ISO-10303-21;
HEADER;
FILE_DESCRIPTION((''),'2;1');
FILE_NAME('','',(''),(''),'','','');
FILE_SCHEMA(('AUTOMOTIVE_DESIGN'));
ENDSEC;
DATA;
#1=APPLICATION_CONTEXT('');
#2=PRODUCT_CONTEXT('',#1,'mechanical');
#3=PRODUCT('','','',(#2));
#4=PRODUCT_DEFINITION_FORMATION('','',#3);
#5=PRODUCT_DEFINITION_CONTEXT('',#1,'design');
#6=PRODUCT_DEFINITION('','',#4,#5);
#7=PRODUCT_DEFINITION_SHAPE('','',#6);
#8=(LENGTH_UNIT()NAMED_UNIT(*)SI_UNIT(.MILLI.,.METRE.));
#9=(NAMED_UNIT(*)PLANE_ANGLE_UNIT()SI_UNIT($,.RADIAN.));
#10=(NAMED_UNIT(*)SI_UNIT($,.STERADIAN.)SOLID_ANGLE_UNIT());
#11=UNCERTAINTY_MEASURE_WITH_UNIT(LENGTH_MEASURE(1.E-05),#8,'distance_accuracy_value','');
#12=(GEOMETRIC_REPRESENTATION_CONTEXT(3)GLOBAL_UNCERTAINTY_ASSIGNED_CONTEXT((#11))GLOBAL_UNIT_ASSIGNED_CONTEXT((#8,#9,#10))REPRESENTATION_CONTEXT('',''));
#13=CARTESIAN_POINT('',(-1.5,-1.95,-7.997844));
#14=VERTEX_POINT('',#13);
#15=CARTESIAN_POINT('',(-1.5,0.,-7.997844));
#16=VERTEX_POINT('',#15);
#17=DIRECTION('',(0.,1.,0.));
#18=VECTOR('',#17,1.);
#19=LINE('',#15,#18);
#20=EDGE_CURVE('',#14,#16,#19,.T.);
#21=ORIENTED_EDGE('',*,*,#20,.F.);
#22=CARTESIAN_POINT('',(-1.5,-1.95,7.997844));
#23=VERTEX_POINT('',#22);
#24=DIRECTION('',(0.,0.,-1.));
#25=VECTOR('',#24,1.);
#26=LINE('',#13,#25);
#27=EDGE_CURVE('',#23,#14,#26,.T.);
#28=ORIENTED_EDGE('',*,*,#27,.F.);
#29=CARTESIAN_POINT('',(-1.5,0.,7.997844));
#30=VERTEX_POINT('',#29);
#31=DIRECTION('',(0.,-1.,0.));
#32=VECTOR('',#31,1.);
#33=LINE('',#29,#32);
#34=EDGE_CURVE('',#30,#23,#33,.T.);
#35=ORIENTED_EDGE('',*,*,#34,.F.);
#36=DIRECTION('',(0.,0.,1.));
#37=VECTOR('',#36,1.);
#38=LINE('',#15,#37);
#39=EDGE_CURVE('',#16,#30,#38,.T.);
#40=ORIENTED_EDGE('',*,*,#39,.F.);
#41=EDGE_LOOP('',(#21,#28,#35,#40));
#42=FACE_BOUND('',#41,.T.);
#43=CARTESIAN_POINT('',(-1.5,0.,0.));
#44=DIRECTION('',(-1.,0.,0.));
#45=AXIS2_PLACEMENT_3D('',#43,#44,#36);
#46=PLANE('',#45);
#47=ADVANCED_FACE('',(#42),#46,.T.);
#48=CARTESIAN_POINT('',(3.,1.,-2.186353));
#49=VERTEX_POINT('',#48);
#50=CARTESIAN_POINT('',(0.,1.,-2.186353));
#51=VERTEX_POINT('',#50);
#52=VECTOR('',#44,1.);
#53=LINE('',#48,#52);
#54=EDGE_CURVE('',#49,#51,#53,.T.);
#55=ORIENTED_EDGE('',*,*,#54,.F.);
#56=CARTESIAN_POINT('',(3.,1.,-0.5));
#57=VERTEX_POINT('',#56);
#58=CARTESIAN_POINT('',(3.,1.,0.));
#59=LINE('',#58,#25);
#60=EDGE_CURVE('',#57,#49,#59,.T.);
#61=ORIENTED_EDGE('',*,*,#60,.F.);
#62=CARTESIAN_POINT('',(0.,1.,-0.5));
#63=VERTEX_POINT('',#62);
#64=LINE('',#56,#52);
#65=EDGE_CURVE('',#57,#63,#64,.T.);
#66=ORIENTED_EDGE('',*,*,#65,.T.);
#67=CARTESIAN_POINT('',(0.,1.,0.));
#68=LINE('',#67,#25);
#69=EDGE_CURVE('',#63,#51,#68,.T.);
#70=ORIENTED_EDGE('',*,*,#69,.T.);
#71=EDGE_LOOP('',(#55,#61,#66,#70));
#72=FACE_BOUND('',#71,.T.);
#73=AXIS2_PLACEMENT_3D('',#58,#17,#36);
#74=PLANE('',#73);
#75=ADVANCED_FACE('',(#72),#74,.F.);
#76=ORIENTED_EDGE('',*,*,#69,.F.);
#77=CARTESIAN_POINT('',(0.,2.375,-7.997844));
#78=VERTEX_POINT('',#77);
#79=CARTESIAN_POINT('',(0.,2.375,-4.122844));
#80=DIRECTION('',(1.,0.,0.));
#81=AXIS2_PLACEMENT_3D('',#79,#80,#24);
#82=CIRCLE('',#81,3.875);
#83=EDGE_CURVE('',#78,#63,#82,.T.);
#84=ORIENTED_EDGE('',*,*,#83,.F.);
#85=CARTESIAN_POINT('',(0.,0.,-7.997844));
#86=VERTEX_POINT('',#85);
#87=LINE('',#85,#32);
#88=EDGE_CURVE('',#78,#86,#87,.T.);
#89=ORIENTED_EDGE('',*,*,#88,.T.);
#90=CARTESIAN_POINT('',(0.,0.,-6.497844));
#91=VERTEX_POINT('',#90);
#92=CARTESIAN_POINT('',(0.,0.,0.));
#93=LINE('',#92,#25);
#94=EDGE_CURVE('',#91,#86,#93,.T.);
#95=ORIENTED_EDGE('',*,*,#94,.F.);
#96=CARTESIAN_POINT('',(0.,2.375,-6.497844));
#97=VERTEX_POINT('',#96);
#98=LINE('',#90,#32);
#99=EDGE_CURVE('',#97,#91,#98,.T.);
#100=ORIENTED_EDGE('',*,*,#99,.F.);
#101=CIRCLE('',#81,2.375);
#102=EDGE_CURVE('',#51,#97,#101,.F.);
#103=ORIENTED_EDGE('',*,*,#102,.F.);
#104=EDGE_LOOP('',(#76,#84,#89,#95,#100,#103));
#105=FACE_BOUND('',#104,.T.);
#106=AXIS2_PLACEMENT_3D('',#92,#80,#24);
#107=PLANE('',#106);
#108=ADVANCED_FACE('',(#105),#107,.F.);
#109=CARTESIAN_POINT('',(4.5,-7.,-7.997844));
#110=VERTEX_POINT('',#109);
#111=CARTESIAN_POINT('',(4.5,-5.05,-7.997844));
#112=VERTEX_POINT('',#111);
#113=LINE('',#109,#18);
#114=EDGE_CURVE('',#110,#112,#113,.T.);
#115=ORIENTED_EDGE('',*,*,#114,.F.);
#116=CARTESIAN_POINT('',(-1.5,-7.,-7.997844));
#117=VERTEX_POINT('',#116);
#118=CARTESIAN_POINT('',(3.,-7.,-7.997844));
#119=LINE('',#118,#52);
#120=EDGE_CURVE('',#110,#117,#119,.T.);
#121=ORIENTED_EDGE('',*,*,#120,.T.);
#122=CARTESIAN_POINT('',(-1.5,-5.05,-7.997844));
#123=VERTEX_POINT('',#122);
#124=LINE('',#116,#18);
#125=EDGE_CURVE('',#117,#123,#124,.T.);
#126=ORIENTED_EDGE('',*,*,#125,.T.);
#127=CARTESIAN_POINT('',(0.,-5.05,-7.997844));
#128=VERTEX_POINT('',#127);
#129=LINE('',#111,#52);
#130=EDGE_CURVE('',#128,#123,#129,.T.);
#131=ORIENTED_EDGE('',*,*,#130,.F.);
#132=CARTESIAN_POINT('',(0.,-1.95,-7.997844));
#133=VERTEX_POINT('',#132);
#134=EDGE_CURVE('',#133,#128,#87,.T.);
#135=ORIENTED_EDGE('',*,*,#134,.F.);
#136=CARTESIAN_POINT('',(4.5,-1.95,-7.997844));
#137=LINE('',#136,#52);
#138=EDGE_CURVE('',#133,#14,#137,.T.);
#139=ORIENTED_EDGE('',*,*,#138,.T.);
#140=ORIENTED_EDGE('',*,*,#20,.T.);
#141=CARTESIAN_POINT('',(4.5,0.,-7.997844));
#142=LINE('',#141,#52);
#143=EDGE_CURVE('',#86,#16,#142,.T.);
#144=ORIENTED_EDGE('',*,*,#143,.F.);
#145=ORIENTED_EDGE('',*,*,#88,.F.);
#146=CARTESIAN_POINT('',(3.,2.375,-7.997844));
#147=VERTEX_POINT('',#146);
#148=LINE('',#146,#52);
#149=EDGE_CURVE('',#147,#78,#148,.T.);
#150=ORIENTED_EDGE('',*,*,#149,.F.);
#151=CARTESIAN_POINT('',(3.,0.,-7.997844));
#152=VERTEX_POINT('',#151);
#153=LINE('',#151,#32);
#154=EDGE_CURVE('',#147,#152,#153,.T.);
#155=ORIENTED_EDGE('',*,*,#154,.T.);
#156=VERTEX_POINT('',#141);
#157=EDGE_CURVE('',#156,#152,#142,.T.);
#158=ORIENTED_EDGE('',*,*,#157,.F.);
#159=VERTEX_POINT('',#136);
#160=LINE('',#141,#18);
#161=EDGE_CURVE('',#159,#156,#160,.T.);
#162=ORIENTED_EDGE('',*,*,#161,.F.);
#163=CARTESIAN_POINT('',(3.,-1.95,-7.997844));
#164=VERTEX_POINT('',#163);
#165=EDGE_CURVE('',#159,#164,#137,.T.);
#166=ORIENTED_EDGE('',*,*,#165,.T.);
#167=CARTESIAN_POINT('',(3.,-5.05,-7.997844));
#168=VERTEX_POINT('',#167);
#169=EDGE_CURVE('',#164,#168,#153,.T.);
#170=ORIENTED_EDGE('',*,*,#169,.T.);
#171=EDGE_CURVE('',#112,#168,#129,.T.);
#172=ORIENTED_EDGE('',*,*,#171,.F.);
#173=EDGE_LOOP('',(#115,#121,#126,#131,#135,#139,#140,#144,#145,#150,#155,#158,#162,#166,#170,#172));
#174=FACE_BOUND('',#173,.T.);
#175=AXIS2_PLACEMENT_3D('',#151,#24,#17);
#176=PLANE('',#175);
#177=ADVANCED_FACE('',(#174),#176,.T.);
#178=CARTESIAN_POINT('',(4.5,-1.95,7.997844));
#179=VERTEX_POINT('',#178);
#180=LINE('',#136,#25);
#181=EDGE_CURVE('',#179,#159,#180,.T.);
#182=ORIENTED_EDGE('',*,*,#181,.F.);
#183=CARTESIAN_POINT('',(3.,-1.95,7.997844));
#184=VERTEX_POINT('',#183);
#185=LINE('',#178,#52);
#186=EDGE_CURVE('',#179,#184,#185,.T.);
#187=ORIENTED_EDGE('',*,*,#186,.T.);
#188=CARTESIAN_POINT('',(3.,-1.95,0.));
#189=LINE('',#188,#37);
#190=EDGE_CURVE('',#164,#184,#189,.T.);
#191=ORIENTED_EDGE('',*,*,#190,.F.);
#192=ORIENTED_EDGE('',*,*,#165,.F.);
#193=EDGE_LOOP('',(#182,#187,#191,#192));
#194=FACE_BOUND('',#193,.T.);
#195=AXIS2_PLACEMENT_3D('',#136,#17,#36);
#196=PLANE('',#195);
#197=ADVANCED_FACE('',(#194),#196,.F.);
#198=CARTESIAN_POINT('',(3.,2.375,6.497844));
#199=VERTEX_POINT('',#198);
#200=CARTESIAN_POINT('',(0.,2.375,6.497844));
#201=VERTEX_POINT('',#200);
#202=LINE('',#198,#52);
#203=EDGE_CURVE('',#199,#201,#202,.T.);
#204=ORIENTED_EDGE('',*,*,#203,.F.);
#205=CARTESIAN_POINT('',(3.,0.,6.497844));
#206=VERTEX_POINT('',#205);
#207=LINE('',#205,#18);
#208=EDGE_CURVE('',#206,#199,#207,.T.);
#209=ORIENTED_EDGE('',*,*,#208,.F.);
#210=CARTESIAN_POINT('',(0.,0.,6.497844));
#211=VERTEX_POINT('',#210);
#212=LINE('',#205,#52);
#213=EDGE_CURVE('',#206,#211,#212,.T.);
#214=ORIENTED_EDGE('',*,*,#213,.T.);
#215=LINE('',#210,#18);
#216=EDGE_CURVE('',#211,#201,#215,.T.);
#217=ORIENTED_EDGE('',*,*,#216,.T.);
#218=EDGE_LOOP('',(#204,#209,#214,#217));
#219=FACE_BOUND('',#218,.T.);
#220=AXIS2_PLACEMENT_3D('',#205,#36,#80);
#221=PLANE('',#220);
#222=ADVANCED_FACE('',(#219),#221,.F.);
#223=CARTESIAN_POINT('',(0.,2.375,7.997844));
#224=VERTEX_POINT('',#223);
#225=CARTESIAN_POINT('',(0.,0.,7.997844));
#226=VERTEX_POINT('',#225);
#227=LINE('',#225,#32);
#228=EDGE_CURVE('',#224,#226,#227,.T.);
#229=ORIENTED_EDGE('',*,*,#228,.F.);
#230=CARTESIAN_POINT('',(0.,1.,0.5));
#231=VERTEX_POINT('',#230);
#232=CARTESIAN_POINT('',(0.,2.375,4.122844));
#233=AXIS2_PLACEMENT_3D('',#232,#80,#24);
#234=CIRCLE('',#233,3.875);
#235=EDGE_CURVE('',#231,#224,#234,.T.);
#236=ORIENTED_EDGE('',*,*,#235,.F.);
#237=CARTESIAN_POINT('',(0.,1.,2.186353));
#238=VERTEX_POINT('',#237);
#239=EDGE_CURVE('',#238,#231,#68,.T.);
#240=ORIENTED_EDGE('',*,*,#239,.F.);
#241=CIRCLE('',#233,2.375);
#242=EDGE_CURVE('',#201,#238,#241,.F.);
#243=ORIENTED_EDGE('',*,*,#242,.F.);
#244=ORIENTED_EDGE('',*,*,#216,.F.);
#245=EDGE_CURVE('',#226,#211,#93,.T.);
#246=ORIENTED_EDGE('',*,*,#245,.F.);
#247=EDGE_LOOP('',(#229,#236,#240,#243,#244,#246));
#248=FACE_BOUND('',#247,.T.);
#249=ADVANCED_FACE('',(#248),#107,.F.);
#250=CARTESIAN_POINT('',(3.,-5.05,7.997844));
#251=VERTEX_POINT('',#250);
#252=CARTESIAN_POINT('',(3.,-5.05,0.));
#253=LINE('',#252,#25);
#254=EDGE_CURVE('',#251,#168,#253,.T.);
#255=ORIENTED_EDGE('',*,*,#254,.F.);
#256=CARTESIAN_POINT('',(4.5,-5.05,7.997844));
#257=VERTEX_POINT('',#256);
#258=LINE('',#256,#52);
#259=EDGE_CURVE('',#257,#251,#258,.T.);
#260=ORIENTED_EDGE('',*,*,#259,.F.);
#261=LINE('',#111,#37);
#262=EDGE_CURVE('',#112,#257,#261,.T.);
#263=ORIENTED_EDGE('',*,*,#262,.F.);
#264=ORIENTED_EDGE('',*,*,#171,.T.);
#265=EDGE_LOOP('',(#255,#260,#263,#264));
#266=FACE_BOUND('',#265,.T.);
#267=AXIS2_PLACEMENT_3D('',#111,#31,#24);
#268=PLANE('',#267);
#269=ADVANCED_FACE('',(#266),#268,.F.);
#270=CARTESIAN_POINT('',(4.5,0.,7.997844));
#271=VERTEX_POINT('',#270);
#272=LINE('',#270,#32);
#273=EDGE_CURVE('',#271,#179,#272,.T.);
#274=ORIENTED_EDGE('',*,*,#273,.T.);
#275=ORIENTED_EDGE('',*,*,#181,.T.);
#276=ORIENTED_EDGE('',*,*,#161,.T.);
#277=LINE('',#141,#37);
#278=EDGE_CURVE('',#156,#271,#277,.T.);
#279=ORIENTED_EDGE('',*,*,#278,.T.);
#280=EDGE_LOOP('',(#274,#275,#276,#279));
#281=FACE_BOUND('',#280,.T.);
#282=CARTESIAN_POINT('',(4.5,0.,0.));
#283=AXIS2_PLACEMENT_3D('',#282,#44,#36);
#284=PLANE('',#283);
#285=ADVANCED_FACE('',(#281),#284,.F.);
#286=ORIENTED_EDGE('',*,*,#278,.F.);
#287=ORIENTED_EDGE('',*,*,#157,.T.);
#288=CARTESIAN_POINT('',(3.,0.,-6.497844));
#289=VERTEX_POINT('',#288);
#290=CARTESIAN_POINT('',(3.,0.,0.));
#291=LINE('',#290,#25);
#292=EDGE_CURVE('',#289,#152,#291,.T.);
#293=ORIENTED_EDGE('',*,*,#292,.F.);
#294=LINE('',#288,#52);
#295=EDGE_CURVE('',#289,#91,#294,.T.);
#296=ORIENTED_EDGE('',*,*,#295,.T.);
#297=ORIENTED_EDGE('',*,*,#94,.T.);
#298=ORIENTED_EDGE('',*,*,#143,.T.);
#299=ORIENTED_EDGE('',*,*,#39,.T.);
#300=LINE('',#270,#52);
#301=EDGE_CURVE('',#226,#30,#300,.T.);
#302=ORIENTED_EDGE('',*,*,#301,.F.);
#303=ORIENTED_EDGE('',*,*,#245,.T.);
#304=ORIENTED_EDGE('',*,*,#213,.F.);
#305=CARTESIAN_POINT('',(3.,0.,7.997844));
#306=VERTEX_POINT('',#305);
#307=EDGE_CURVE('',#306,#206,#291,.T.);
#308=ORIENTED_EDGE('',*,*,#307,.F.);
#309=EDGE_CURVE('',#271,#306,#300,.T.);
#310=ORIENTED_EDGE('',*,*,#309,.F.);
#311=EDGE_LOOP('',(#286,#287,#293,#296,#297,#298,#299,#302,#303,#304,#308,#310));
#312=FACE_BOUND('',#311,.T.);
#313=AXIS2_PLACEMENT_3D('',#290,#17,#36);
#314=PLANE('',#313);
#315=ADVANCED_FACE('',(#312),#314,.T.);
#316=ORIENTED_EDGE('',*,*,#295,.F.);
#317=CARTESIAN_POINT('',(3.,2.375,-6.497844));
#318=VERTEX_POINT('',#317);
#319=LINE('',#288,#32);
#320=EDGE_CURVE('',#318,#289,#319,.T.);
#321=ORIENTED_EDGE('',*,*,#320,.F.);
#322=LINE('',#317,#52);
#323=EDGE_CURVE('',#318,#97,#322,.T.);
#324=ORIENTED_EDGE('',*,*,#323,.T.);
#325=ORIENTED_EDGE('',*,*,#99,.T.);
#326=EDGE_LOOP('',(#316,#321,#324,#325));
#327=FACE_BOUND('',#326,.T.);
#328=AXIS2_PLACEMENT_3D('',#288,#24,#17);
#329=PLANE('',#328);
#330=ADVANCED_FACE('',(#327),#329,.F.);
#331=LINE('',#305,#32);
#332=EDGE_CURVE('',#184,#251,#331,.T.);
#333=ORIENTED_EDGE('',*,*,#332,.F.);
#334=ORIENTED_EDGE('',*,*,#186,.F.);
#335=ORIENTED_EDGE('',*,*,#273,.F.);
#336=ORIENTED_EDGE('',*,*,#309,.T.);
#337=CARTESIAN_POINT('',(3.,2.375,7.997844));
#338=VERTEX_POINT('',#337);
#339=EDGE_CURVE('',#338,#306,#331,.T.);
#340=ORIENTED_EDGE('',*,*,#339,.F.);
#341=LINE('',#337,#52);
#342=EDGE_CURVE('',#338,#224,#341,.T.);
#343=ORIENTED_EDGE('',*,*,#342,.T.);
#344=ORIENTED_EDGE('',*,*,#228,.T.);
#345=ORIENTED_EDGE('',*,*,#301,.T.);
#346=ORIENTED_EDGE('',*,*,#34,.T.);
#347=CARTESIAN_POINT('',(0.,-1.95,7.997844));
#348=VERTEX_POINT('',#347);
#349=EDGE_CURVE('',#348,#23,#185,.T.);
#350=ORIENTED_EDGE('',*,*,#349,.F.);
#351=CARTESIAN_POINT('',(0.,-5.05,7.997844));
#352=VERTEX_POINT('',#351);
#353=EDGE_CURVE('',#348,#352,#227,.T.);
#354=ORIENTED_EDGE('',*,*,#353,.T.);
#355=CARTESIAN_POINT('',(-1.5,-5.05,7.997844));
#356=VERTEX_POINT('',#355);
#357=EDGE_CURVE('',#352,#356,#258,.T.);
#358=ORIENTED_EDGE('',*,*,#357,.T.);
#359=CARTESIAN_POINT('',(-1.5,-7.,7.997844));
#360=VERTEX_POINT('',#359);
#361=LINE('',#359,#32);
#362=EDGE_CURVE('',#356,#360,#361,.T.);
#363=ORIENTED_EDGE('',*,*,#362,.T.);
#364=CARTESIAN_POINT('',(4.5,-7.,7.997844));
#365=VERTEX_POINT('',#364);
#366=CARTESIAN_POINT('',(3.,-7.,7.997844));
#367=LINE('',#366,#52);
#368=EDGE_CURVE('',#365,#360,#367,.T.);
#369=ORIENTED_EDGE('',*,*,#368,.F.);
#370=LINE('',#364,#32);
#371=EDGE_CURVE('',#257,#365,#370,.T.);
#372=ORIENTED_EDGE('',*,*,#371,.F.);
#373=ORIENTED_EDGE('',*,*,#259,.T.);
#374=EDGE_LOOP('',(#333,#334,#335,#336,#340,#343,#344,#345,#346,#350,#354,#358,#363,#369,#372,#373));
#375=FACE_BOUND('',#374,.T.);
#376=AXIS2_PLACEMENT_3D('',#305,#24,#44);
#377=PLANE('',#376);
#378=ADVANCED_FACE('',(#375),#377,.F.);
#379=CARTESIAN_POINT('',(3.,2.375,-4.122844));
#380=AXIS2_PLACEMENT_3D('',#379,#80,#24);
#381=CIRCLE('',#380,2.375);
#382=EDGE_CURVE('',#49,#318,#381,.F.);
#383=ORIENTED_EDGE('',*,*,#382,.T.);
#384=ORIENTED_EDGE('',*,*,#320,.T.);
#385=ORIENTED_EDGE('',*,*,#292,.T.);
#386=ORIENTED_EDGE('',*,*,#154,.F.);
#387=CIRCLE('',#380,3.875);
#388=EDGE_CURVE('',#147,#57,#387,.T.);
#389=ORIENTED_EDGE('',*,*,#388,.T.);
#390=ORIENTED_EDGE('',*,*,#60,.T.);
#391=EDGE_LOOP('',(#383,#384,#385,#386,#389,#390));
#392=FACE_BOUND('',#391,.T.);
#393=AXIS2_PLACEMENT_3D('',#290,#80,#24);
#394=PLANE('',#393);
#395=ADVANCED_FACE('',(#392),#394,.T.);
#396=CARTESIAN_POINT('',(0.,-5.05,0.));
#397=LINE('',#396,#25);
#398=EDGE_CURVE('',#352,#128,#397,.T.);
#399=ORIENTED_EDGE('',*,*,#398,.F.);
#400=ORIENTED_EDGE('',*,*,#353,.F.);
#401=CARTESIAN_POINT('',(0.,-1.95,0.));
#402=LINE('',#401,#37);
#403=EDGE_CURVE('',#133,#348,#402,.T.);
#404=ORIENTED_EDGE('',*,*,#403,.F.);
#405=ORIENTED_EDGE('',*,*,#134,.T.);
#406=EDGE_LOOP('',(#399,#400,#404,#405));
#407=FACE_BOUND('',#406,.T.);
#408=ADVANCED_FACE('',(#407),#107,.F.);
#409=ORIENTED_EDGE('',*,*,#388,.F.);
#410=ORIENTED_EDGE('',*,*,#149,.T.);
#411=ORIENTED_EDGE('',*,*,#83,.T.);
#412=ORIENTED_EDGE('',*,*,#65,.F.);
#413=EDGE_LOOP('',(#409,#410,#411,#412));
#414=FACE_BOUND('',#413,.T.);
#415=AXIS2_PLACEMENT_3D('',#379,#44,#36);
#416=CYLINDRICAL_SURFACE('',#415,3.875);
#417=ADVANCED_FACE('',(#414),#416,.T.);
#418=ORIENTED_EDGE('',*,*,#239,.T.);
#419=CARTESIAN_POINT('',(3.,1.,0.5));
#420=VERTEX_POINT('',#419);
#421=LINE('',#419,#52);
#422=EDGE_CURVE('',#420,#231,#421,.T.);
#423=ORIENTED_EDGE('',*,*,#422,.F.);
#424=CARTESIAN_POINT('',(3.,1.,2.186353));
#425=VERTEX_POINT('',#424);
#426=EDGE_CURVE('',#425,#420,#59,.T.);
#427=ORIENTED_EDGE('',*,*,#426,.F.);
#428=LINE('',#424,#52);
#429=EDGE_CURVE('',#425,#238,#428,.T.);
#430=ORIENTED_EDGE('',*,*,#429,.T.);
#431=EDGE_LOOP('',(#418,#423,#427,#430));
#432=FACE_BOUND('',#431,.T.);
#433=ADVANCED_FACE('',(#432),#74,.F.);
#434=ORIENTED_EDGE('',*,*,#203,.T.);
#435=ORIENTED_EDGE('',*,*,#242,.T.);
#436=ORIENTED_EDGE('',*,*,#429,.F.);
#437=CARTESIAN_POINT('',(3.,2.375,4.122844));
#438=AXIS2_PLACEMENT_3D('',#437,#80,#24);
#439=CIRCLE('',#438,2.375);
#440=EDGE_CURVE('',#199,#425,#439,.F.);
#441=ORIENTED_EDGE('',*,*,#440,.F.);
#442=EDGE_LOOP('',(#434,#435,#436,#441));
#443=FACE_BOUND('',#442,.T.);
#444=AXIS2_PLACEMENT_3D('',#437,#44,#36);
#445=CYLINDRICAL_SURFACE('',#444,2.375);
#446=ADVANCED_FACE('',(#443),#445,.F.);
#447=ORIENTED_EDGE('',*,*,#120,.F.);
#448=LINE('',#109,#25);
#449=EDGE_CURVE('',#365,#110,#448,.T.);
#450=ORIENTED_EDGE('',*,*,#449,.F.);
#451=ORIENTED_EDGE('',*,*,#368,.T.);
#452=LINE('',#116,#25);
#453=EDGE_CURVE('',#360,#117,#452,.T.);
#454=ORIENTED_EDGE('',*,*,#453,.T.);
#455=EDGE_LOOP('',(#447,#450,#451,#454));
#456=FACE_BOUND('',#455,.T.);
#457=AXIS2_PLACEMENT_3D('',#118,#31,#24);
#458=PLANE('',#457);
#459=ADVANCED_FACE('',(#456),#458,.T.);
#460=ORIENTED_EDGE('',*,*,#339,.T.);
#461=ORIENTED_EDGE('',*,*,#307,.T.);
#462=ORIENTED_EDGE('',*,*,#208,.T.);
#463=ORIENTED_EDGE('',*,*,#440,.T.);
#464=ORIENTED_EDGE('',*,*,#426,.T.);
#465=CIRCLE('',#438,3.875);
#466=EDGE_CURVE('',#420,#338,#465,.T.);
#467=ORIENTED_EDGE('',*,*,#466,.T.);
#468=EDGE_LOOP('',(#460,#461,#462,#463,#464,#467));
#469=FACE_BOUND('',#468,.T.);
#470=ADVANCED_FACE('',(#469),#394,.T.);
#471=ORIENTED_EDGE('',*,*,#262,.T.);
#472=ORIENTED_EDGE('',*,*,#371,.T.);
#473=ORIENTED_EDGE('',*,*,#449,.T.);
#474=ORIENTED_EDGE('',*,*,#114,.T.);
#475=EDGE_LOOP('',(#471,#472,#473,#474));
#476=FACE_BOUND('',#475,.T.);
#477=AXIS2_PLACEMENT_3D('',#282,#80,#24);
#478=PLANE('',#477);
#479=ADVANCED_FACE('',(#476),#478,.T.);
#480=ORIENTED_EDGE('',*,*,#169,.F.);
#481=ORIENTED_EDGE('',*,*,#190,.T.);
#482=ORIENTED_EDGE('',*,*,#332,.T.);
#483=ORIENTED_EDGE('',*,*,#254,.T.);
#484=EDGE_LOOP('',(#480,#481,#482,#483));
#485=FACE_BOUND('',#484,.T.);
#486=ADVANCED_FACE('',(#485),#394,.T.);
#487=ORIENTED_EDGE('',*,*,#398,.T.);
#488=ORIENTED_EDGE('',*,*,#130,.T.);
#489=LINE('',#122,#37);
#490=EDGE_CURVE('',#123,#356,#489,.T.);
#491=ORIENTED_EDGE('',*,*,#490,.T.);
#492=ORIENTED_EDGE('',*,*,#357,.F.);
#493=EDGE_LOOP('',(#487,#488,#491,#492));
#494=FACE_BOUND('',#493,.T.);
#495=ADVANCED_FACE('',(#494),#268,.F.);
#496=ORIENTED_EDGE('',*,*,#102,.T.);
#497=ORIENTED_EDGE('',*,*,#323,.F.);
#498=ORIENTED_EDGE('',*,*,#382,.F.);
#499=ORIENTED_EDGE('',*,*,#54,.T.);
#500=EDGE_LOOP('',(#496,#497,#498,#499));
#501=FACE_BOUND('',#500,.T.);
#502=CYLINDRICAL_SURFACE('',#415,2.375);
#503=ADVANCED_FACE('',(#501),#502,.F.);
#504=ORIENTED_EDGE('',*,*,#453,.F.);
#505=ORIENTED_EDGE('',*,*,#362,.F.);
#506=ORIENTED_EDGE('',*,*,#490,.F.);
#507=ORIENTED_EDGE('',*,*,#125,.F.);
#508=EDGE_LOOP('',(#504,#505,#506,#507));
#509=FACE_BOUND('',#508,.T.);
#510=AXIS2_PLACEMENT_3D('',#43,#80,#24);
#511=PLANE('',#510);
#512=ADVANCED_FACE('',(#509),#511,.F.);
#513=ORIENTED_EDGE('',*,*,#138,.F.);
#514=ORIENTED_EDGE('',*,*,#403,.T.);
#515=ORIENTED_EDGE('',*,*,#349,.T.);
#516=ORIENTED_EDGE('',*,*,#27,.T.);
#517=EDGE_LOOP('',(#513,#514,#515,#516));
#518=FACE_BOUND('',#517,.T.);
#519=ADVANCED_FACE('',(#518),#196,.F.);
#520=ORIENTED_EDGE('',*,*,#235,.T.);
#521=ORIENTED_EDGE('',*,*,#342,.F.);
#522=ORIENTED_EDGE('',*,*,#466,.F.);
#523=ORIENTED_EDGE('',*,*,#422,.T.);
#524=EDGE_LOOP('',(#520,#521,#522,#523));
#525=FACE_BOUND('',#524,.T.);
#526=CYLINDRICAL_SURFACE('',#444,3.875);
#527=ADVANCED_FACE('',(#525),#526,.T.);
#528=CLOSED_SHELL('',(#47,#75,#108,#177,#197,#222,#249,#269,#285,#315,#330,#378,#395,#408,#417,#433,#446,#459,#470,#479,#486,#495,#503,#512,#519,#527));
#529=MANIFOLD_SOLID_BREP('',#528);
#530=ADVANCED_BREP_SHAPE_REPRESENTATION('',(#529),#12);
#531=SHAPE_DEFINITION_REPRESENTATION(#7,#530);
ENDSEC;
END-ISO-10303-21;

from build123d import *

# Parameters (mm, degrees)
SKETCH1_W           = 15.995688374
SKETCH1_H           = 2
SKETCH1_H_2         = 3
BOSS_EXTRUDE1_DEPTH = 3
SKETCH4_W           = 15.995688374
SKETCH4_H           = 1.95
BOSS_EXTRUDE2_DEPTH = 3


with BuildPart() as part:
    # Sketch1 → Boss-Extrude1 (new body)
    with BuildSketch(Plane(origin=(0, 0, 0), x_dir=(0, 0, -1), z_dir=(1, 0, 0))):
        with BuildLine():
            Line((-7.997844187, 0), (-6.497844187, 0))
            Line((-6.497844187, 0), (-6.497844187, 2.375))
            ThreePointArc((-6.497844187, 2.375), (-3.401228889, 4.637718799), (-2.186352513, 1))
            Line((-2.186352513, 1), (-0.5, 1))
            ThreePointArc((-0.5, 1), (-3.423879317, 6.186439769), (-7.997844187, 2.375))
            Line((-7.997844187, 2.375), (-7.997844187, 0))
        make_face()
        with Locations((0, -1)):
            Rectangle(SKETCH1_W, SKETCH1_H)
        with BuildLine():
            Line((6.497844187, 2.375), (6.497844187, 0))
            Line((6.497844187, 0), (7.997844187, 0))
            Line((7.997844187, 0), (7.997844187, 2.375))
            ThreePointArc((7.997844187, 2.375), (3.423879317, 6.186439769), (0.5, 1))
            Line((0.5, 1), (2.186352513, 1))
            ThreePointArc((2.186352513, 1), (3.401228889, 4.637718799), (6.497844187, 2.375))
        make_face()
        with Locations((0, -3.5)):
            Rectangle(SKETCH1_W, SKETCH1_H_2)
        with Locations((0, -6)):
            Rectangle(SKETCH1_W, SKETCH1_H)
    extrude(amount=BOSS_EXTRUDE1_DEPTH)

    # Sketch4 → Boss-Extrude2 (add, symmetric)
    with BuildSketch(Plane(origin=(1.5, 0, 0), x_dir=(0, 0, -1), z_dir=(1, 0, 0))):
        with Locations((0, -0.975)):
            Rectangle(SKETCH4_W, SKETCH4_H)
        with Locations((0, -6.025)):
            Rectangle(SKETCH4_W, SKETCH4_H)
    extrude(amount=BOSS_EXTRUDE2_DEPTH, both=True)


solid = part.part
